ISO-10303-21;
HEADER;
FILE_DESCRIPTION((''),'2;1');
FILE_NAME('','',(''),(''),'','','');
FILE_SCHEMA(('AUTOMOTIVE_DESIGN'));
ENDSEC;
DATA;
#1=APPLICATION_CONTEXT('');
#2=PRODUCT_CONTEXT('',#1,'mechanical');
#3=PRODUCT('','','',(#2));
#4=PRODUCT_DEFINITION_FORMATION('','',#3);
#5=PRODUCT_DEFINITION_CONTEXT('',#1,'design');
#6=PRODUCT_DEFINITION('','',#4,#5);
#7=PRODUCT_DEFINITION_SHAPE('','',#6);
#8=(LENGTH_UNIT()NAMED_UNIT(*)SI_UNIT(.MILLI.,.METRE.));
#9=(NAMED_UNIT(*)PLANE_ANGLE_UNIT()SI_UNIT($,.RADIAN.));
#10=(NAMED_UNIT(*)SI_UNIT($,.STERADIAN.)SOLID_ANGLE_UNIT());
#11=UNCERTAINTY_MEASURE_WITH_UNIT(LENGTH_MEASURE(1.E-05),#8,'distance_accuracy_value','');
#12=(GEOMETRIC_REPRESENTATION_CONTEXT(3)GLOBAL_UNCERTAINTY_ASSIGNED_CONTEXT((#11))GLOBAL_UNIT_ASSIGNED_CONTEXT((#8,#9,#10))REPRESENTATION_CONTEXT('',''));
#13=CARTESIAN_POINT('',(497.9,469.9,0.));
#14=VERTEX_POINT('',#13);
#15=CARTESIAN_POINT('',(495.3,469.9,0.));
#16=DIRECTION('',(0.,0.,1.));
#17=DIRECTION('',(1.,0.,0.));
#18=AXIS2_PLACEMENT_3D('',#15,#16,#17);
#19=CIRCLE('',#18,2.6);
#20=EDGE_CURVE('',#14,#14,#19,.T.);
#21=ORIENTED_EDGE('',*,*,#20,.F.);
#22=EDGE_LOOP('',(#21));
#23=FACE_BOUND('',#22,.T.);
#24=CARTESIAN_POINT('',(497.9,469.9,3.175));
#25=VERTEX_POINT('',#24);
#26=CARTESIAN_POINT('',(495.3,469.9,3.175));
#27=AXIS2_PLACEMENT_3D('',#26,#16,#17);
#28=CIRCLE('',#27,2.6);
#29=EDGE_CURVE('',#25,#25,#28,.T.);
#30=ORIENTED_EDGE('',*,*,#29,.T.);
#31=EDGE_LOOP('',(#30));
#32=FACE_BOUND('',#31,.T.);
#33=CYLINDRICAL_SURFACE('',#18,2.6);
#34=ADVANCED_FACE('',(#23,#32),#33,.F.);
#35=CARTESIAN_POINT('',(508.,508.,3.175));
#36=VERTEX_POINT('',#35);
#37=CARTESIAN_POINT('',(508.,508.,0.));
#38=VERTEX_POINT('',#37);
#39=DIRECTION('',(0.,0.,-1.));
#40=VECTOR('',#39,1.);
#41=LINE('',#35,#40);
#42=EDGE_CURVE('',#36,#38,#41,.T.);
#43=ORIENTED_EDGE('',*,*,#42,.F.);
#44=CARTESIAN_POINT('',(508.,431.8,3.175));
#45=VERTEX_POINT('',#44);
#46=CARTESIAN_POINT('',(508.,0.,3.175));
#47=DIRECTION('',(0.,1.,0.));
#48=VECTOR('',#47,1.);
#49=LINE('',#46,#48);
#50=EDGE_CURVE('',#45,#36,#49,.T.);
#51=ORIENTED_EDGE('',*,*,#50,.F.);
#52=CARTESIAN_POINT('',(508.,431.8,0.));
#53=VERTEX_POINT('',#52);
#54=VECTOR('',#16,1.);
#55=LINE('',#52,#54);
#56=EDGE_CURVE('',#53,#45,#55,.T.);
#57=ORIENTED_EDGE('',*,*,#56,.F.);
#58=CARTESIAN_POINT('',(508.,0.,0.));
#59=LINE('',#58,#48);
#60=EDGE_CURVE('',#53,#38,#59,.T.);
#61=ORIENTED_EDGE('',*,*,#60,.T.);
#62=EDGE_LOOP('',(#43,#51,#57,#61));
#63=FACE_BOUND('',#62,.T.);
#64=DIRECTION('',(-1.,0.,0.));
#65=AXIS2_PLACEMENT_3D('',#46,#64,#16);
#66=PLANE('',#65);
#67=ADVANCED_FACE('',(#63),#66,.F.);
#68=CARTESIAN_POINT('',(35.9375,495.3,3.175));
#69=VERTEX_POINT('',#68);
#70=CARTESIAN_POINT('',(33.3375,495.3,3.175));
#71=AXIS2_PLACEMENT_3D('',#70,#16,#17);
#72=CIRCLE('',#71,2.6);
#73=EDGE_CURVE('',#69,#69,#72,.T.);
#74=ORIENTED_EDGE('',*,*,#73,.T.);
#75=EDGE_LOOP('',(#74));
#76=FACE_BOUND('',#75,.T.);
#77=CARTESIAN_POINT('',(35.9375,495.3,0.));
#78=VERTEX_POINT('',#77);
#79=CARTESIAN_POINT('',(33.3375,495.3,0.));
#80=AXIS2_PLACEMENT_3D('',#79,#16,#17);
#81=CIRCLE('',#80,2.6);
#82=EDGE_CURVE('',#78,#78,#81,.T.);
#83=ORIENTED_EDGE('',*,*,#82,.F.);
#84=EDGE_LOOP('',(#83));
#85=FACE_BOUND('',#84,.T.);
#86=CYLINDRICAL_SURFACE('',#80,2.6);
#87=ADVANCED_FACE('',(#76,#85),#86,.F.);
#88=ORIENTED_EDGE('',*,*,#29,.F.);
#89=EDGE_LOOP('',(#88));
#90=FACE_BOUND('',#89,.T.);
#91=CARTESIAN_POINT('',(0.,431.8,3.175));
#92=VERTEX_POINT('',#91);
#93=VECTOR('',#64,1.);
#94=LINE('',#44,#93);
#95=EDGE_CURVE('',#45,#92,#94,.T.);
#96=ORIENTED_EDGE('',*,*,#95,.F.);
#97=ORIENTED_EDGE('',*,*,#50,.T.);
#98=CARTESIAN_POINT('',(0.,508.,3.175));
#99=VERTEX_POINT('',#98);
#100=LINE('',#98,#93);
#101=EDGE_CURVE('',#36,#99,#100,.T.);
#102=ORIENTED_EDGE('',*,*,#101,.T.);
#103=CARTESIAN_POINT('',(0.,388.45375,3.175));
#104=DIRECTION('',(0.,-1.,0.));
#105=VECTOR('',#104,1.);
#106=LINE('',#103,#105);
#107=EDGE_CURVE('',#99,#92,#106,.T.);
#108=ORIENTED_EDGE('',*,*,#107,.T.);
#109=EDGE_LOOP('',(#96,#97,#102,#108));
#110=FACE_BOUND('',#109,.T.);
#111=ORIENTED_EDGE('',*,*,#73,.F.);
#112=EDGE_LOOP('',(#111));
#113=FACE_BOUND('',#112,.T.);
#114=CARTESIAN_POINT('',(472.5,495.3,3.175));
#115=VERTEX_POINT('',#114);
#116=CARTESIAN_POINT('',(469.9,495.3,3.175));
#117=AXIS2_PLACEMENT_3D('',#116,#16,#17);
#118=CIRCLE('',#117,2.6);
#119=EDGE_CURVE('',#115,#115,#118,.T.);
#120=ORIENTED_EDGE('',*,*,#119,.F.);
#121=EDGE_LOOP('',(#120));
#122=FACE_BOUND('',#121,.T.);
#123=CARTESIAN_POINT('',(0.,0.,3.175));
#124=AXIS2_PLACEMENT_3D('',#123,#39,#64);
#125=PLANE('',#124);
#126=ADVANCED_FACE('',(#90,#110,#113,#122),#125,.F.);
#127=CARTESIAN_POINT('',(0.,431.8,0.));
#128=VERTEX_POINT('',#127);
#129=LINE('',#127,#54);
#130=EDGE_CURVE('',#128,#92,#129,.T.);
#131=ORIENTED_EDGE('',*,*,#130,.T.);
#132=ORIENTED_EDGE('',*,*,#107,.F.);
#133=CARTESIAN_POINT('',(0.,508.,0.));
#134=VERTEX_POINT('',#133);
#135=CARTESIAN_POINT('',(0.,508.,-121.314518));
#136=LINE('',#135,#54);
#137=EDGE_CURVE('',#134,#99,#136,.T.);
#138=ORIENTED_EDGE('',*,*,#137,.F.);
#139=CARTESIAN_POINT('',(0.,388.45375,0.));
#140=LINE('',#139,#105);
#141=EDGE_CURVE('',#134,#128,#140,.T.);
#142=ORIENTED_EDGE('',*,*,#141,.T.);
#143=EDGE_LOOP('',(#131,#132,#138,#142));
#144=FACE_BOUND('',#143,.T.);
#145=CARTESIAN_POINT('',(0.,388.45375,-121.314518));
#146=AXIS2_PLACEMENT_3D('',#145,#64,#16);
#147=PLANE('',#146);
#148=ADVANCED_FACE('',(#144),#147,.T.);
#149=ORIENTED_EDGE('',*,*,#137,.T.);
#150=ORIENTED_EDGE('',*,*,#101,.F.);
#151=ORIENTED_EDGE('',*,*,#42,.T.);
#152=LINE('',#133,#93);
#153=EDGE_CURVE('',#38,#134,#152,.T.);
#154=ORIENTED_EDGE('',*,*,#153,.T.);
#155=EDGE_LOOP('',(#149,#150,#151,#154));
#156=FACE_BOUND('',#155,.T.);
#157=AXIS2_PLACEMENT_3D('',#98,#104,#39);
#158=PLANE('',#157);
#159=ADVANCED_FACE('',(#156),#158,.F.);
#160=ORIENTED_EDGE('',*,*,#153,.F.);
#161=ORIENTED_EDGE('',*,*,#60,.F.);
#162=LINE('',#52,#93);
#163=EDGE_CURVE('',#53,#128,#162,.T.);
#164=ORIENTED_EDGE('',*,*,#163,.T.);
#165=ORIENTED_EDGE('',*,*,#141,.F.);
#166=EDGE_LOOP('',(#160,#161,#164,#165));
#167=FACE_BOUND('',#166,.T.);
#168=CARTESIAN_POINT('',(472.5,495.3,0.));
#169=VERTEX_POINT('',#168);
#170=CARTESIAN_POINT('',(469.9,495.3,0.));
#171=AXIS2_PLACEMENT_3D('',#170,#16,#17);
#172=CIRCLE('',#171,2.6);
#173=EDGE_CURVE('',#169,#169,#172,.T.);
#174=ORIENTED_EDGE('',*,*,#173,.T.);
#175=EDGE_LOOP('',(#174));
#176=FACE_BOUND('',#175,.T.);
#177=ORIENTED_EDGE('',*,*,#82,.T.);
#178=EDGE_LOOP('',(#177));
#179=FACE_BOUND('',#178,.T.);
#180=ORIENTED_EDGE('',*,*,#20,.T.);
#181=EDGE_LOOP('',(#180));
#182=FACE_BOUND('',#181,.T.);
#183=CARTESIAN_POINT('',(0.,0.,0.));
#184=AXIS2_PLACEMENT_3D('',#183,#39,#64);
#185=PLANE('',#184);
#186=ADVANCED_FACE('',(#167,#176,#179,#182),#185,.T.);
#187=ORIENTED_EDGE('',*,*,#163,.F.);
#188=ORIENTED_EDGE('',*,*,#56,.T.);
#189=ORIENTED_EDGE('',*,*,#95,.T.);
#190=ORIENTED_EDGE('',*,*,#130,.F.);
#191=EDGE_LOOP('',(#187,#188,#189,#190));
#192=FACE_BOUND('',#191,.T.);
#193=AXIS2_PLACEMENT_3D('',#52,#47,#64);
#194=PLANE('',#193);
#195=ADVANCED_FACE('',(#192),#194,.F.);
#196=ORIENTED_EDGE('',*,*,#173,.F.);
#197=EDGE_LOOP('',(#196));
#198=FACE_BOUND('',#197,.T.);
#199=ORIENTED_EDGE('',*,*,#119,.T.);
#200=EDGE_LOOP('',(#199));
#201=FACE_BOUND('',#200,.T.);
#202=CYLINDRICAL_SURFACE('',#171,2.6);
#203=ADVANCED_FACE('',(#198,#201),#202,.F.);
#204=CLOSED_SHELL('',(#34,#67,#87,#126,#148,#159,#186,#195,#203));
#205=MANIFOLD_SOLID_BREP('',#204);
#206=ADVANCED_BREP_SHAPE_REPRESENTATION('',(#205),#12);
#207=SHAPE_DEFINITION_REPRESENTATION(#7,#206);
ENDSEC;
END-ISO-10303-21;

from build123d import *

# Parameters (mm, degrees)
SKETCH1_W           = 508
SKETCH1_H           = 508
BOSS_EXTRUDE1_DEPTH = 3.175
SKETCH2_R           = 2.54
SKETCH2_W           = 234.95
SKETCH2_H           = 368.3
CUT_EXTRUDE1_DEPTH  = 44.45
SKETCH4_R           = 2.159
CUT_EXTRUDE3_DEPTH  = 719.427505476
SKETCH5_R           = 2.6
CUT_EXTRUDE4_DEPTH  = 719.427505476
SKETCH6_W           = 20.6375
SKETCH6_H           = 119.54625
BOSS_EXTRUDE3_DEPTH = 3.175
SKETCH7_W           = 508
SKETCH7_H           = 431.8
CUT_EXTRUDE5_DEPTH  = 719.427505476


with BuildPart() as part:
    # Sketch1 → Boss-Extrude1 (new body)
    with BuildSketch(Plane.XY):
        with Locations((254, 254)):
            Rectangle(SKETCH1_W, SKETCH1_H)
    extrude(amount=BOSS_EXTRUDE1_DEPTH)

    # Sketch2 → Cut-Extrude1 (cut)
    with BuildSketch(Plane(origin=(0, 0, 0), x_dir=(-1, 0, 0), z_dir=(0, 0, -1))):
        with Locations((-339.725, 45.085)):
            Circle(SKETCH2_R)
        with Locations((-85.725, 45.085)):
            Circle(SKETCH2_R)
        with Locations((-339.725, 75.565)):
            Circle(SKETCH2_R)
        with Locations((-85.725, 75.565)):
            Circle(SKETCH2_R)
        with Locations((-212.725, 184.15)):
            Rectangle(SKETCH2_W, SKETCH2_H)
        Polygon((0, 403.06625), (0, 328.45375), (-20.6375, 328.45375), (-20.6375, 403.06625), (-20.6375, 508), (0, 508), align=None)
    extrude(amount=-CUT_EXTRUDE1_DEPTH, mode=Mode.SUBTRACT)

    # Sketch4 → Cut-Extrude3 (cut, through all)
    with BuildSketch(Plane(origin=(0, 0, 0), x_dir=(-1, 0, 0), z_dir=(0, 0, -1))):
        with Locations((-311.1754, 390.779)):
            Circle(SKETCH4_R)
        with Locations((-277.1394, 390.779)):
            Circle(SKETCH4_R)
        with Locations((-148.3614, 390.779)):
            Circle(SKETCH4_R)
        with Locations((-114.3254, 390.779)):
            Circle(SKETCH4_R)
    extrude(amount=-CUT_EXTRUDE3_DEPTH, mode=Mode.SUBTRACT)

    # Sketch5 → Cut-Extrude4 (cut, through all)
    with BuildSketch(Plane.XY.offset(3.175)):
        with Locations((12.7, 303.05375)):
            Circle(SKETCH5_R)
        with Locations((12.7, 177.8)):
            Circle(SKETCH5_R)
        with Locations((12.7, 38.1)):
            Circle(SKETCH5_R)
        with Locations((495.3, 38.1)):
            Circle(SKETCH5_R)
        with Locations((495.3, 177.8)):
            Circle(SKETCH5_R)
        with Locations((495.3, 303.05375)):
            Circle(SKETCH5_R)
        with Locations((495.3, 469.9)):
            Circle(SKETCH5_R)
        with Locations((57.15, 12.7)):
            Circle(SKETCH5_R)
        with Locations((368.3, 12.7)):
            Circle(SKETCH5_R)
        with Locations((444.5, 12.7)):
            Circle(SKETCH5_R)
        with Locations((33.3375, 495.3)):
            Circle(SKETCH5_R)
        with Locations((469.9, 495.3)):
            Circle(SKETCH5_R)
    extrude(amount=-CUT_EXTRUDE4_DEPTH, mode=Mode.SUBTRACT)

    # Sketch6 → Boss-Extrude3 (add)
    with BuildSketch(Plane.XY.offset(3.175)):
        with Locations((10.31875, 448.226875)):
            Rectangle(SKETCH6_W, SKETCH6_H)
    extrude(amount=-BOSS_EXTRUDE3_DEPTH)

    # Sketch7 → Cut-Extrude5 (cut, through all)
    with BuildSketch(Plane.XY.offset(3.175)):
        with Locations((254, 215.9)):
            Rectangle(SKETCH7_W, SKETCH7_H)
    extrude(amount=-CUT_EXTRUDE5_DEPTH, mode=Mode.SUBTRACT)


solid = part.part
